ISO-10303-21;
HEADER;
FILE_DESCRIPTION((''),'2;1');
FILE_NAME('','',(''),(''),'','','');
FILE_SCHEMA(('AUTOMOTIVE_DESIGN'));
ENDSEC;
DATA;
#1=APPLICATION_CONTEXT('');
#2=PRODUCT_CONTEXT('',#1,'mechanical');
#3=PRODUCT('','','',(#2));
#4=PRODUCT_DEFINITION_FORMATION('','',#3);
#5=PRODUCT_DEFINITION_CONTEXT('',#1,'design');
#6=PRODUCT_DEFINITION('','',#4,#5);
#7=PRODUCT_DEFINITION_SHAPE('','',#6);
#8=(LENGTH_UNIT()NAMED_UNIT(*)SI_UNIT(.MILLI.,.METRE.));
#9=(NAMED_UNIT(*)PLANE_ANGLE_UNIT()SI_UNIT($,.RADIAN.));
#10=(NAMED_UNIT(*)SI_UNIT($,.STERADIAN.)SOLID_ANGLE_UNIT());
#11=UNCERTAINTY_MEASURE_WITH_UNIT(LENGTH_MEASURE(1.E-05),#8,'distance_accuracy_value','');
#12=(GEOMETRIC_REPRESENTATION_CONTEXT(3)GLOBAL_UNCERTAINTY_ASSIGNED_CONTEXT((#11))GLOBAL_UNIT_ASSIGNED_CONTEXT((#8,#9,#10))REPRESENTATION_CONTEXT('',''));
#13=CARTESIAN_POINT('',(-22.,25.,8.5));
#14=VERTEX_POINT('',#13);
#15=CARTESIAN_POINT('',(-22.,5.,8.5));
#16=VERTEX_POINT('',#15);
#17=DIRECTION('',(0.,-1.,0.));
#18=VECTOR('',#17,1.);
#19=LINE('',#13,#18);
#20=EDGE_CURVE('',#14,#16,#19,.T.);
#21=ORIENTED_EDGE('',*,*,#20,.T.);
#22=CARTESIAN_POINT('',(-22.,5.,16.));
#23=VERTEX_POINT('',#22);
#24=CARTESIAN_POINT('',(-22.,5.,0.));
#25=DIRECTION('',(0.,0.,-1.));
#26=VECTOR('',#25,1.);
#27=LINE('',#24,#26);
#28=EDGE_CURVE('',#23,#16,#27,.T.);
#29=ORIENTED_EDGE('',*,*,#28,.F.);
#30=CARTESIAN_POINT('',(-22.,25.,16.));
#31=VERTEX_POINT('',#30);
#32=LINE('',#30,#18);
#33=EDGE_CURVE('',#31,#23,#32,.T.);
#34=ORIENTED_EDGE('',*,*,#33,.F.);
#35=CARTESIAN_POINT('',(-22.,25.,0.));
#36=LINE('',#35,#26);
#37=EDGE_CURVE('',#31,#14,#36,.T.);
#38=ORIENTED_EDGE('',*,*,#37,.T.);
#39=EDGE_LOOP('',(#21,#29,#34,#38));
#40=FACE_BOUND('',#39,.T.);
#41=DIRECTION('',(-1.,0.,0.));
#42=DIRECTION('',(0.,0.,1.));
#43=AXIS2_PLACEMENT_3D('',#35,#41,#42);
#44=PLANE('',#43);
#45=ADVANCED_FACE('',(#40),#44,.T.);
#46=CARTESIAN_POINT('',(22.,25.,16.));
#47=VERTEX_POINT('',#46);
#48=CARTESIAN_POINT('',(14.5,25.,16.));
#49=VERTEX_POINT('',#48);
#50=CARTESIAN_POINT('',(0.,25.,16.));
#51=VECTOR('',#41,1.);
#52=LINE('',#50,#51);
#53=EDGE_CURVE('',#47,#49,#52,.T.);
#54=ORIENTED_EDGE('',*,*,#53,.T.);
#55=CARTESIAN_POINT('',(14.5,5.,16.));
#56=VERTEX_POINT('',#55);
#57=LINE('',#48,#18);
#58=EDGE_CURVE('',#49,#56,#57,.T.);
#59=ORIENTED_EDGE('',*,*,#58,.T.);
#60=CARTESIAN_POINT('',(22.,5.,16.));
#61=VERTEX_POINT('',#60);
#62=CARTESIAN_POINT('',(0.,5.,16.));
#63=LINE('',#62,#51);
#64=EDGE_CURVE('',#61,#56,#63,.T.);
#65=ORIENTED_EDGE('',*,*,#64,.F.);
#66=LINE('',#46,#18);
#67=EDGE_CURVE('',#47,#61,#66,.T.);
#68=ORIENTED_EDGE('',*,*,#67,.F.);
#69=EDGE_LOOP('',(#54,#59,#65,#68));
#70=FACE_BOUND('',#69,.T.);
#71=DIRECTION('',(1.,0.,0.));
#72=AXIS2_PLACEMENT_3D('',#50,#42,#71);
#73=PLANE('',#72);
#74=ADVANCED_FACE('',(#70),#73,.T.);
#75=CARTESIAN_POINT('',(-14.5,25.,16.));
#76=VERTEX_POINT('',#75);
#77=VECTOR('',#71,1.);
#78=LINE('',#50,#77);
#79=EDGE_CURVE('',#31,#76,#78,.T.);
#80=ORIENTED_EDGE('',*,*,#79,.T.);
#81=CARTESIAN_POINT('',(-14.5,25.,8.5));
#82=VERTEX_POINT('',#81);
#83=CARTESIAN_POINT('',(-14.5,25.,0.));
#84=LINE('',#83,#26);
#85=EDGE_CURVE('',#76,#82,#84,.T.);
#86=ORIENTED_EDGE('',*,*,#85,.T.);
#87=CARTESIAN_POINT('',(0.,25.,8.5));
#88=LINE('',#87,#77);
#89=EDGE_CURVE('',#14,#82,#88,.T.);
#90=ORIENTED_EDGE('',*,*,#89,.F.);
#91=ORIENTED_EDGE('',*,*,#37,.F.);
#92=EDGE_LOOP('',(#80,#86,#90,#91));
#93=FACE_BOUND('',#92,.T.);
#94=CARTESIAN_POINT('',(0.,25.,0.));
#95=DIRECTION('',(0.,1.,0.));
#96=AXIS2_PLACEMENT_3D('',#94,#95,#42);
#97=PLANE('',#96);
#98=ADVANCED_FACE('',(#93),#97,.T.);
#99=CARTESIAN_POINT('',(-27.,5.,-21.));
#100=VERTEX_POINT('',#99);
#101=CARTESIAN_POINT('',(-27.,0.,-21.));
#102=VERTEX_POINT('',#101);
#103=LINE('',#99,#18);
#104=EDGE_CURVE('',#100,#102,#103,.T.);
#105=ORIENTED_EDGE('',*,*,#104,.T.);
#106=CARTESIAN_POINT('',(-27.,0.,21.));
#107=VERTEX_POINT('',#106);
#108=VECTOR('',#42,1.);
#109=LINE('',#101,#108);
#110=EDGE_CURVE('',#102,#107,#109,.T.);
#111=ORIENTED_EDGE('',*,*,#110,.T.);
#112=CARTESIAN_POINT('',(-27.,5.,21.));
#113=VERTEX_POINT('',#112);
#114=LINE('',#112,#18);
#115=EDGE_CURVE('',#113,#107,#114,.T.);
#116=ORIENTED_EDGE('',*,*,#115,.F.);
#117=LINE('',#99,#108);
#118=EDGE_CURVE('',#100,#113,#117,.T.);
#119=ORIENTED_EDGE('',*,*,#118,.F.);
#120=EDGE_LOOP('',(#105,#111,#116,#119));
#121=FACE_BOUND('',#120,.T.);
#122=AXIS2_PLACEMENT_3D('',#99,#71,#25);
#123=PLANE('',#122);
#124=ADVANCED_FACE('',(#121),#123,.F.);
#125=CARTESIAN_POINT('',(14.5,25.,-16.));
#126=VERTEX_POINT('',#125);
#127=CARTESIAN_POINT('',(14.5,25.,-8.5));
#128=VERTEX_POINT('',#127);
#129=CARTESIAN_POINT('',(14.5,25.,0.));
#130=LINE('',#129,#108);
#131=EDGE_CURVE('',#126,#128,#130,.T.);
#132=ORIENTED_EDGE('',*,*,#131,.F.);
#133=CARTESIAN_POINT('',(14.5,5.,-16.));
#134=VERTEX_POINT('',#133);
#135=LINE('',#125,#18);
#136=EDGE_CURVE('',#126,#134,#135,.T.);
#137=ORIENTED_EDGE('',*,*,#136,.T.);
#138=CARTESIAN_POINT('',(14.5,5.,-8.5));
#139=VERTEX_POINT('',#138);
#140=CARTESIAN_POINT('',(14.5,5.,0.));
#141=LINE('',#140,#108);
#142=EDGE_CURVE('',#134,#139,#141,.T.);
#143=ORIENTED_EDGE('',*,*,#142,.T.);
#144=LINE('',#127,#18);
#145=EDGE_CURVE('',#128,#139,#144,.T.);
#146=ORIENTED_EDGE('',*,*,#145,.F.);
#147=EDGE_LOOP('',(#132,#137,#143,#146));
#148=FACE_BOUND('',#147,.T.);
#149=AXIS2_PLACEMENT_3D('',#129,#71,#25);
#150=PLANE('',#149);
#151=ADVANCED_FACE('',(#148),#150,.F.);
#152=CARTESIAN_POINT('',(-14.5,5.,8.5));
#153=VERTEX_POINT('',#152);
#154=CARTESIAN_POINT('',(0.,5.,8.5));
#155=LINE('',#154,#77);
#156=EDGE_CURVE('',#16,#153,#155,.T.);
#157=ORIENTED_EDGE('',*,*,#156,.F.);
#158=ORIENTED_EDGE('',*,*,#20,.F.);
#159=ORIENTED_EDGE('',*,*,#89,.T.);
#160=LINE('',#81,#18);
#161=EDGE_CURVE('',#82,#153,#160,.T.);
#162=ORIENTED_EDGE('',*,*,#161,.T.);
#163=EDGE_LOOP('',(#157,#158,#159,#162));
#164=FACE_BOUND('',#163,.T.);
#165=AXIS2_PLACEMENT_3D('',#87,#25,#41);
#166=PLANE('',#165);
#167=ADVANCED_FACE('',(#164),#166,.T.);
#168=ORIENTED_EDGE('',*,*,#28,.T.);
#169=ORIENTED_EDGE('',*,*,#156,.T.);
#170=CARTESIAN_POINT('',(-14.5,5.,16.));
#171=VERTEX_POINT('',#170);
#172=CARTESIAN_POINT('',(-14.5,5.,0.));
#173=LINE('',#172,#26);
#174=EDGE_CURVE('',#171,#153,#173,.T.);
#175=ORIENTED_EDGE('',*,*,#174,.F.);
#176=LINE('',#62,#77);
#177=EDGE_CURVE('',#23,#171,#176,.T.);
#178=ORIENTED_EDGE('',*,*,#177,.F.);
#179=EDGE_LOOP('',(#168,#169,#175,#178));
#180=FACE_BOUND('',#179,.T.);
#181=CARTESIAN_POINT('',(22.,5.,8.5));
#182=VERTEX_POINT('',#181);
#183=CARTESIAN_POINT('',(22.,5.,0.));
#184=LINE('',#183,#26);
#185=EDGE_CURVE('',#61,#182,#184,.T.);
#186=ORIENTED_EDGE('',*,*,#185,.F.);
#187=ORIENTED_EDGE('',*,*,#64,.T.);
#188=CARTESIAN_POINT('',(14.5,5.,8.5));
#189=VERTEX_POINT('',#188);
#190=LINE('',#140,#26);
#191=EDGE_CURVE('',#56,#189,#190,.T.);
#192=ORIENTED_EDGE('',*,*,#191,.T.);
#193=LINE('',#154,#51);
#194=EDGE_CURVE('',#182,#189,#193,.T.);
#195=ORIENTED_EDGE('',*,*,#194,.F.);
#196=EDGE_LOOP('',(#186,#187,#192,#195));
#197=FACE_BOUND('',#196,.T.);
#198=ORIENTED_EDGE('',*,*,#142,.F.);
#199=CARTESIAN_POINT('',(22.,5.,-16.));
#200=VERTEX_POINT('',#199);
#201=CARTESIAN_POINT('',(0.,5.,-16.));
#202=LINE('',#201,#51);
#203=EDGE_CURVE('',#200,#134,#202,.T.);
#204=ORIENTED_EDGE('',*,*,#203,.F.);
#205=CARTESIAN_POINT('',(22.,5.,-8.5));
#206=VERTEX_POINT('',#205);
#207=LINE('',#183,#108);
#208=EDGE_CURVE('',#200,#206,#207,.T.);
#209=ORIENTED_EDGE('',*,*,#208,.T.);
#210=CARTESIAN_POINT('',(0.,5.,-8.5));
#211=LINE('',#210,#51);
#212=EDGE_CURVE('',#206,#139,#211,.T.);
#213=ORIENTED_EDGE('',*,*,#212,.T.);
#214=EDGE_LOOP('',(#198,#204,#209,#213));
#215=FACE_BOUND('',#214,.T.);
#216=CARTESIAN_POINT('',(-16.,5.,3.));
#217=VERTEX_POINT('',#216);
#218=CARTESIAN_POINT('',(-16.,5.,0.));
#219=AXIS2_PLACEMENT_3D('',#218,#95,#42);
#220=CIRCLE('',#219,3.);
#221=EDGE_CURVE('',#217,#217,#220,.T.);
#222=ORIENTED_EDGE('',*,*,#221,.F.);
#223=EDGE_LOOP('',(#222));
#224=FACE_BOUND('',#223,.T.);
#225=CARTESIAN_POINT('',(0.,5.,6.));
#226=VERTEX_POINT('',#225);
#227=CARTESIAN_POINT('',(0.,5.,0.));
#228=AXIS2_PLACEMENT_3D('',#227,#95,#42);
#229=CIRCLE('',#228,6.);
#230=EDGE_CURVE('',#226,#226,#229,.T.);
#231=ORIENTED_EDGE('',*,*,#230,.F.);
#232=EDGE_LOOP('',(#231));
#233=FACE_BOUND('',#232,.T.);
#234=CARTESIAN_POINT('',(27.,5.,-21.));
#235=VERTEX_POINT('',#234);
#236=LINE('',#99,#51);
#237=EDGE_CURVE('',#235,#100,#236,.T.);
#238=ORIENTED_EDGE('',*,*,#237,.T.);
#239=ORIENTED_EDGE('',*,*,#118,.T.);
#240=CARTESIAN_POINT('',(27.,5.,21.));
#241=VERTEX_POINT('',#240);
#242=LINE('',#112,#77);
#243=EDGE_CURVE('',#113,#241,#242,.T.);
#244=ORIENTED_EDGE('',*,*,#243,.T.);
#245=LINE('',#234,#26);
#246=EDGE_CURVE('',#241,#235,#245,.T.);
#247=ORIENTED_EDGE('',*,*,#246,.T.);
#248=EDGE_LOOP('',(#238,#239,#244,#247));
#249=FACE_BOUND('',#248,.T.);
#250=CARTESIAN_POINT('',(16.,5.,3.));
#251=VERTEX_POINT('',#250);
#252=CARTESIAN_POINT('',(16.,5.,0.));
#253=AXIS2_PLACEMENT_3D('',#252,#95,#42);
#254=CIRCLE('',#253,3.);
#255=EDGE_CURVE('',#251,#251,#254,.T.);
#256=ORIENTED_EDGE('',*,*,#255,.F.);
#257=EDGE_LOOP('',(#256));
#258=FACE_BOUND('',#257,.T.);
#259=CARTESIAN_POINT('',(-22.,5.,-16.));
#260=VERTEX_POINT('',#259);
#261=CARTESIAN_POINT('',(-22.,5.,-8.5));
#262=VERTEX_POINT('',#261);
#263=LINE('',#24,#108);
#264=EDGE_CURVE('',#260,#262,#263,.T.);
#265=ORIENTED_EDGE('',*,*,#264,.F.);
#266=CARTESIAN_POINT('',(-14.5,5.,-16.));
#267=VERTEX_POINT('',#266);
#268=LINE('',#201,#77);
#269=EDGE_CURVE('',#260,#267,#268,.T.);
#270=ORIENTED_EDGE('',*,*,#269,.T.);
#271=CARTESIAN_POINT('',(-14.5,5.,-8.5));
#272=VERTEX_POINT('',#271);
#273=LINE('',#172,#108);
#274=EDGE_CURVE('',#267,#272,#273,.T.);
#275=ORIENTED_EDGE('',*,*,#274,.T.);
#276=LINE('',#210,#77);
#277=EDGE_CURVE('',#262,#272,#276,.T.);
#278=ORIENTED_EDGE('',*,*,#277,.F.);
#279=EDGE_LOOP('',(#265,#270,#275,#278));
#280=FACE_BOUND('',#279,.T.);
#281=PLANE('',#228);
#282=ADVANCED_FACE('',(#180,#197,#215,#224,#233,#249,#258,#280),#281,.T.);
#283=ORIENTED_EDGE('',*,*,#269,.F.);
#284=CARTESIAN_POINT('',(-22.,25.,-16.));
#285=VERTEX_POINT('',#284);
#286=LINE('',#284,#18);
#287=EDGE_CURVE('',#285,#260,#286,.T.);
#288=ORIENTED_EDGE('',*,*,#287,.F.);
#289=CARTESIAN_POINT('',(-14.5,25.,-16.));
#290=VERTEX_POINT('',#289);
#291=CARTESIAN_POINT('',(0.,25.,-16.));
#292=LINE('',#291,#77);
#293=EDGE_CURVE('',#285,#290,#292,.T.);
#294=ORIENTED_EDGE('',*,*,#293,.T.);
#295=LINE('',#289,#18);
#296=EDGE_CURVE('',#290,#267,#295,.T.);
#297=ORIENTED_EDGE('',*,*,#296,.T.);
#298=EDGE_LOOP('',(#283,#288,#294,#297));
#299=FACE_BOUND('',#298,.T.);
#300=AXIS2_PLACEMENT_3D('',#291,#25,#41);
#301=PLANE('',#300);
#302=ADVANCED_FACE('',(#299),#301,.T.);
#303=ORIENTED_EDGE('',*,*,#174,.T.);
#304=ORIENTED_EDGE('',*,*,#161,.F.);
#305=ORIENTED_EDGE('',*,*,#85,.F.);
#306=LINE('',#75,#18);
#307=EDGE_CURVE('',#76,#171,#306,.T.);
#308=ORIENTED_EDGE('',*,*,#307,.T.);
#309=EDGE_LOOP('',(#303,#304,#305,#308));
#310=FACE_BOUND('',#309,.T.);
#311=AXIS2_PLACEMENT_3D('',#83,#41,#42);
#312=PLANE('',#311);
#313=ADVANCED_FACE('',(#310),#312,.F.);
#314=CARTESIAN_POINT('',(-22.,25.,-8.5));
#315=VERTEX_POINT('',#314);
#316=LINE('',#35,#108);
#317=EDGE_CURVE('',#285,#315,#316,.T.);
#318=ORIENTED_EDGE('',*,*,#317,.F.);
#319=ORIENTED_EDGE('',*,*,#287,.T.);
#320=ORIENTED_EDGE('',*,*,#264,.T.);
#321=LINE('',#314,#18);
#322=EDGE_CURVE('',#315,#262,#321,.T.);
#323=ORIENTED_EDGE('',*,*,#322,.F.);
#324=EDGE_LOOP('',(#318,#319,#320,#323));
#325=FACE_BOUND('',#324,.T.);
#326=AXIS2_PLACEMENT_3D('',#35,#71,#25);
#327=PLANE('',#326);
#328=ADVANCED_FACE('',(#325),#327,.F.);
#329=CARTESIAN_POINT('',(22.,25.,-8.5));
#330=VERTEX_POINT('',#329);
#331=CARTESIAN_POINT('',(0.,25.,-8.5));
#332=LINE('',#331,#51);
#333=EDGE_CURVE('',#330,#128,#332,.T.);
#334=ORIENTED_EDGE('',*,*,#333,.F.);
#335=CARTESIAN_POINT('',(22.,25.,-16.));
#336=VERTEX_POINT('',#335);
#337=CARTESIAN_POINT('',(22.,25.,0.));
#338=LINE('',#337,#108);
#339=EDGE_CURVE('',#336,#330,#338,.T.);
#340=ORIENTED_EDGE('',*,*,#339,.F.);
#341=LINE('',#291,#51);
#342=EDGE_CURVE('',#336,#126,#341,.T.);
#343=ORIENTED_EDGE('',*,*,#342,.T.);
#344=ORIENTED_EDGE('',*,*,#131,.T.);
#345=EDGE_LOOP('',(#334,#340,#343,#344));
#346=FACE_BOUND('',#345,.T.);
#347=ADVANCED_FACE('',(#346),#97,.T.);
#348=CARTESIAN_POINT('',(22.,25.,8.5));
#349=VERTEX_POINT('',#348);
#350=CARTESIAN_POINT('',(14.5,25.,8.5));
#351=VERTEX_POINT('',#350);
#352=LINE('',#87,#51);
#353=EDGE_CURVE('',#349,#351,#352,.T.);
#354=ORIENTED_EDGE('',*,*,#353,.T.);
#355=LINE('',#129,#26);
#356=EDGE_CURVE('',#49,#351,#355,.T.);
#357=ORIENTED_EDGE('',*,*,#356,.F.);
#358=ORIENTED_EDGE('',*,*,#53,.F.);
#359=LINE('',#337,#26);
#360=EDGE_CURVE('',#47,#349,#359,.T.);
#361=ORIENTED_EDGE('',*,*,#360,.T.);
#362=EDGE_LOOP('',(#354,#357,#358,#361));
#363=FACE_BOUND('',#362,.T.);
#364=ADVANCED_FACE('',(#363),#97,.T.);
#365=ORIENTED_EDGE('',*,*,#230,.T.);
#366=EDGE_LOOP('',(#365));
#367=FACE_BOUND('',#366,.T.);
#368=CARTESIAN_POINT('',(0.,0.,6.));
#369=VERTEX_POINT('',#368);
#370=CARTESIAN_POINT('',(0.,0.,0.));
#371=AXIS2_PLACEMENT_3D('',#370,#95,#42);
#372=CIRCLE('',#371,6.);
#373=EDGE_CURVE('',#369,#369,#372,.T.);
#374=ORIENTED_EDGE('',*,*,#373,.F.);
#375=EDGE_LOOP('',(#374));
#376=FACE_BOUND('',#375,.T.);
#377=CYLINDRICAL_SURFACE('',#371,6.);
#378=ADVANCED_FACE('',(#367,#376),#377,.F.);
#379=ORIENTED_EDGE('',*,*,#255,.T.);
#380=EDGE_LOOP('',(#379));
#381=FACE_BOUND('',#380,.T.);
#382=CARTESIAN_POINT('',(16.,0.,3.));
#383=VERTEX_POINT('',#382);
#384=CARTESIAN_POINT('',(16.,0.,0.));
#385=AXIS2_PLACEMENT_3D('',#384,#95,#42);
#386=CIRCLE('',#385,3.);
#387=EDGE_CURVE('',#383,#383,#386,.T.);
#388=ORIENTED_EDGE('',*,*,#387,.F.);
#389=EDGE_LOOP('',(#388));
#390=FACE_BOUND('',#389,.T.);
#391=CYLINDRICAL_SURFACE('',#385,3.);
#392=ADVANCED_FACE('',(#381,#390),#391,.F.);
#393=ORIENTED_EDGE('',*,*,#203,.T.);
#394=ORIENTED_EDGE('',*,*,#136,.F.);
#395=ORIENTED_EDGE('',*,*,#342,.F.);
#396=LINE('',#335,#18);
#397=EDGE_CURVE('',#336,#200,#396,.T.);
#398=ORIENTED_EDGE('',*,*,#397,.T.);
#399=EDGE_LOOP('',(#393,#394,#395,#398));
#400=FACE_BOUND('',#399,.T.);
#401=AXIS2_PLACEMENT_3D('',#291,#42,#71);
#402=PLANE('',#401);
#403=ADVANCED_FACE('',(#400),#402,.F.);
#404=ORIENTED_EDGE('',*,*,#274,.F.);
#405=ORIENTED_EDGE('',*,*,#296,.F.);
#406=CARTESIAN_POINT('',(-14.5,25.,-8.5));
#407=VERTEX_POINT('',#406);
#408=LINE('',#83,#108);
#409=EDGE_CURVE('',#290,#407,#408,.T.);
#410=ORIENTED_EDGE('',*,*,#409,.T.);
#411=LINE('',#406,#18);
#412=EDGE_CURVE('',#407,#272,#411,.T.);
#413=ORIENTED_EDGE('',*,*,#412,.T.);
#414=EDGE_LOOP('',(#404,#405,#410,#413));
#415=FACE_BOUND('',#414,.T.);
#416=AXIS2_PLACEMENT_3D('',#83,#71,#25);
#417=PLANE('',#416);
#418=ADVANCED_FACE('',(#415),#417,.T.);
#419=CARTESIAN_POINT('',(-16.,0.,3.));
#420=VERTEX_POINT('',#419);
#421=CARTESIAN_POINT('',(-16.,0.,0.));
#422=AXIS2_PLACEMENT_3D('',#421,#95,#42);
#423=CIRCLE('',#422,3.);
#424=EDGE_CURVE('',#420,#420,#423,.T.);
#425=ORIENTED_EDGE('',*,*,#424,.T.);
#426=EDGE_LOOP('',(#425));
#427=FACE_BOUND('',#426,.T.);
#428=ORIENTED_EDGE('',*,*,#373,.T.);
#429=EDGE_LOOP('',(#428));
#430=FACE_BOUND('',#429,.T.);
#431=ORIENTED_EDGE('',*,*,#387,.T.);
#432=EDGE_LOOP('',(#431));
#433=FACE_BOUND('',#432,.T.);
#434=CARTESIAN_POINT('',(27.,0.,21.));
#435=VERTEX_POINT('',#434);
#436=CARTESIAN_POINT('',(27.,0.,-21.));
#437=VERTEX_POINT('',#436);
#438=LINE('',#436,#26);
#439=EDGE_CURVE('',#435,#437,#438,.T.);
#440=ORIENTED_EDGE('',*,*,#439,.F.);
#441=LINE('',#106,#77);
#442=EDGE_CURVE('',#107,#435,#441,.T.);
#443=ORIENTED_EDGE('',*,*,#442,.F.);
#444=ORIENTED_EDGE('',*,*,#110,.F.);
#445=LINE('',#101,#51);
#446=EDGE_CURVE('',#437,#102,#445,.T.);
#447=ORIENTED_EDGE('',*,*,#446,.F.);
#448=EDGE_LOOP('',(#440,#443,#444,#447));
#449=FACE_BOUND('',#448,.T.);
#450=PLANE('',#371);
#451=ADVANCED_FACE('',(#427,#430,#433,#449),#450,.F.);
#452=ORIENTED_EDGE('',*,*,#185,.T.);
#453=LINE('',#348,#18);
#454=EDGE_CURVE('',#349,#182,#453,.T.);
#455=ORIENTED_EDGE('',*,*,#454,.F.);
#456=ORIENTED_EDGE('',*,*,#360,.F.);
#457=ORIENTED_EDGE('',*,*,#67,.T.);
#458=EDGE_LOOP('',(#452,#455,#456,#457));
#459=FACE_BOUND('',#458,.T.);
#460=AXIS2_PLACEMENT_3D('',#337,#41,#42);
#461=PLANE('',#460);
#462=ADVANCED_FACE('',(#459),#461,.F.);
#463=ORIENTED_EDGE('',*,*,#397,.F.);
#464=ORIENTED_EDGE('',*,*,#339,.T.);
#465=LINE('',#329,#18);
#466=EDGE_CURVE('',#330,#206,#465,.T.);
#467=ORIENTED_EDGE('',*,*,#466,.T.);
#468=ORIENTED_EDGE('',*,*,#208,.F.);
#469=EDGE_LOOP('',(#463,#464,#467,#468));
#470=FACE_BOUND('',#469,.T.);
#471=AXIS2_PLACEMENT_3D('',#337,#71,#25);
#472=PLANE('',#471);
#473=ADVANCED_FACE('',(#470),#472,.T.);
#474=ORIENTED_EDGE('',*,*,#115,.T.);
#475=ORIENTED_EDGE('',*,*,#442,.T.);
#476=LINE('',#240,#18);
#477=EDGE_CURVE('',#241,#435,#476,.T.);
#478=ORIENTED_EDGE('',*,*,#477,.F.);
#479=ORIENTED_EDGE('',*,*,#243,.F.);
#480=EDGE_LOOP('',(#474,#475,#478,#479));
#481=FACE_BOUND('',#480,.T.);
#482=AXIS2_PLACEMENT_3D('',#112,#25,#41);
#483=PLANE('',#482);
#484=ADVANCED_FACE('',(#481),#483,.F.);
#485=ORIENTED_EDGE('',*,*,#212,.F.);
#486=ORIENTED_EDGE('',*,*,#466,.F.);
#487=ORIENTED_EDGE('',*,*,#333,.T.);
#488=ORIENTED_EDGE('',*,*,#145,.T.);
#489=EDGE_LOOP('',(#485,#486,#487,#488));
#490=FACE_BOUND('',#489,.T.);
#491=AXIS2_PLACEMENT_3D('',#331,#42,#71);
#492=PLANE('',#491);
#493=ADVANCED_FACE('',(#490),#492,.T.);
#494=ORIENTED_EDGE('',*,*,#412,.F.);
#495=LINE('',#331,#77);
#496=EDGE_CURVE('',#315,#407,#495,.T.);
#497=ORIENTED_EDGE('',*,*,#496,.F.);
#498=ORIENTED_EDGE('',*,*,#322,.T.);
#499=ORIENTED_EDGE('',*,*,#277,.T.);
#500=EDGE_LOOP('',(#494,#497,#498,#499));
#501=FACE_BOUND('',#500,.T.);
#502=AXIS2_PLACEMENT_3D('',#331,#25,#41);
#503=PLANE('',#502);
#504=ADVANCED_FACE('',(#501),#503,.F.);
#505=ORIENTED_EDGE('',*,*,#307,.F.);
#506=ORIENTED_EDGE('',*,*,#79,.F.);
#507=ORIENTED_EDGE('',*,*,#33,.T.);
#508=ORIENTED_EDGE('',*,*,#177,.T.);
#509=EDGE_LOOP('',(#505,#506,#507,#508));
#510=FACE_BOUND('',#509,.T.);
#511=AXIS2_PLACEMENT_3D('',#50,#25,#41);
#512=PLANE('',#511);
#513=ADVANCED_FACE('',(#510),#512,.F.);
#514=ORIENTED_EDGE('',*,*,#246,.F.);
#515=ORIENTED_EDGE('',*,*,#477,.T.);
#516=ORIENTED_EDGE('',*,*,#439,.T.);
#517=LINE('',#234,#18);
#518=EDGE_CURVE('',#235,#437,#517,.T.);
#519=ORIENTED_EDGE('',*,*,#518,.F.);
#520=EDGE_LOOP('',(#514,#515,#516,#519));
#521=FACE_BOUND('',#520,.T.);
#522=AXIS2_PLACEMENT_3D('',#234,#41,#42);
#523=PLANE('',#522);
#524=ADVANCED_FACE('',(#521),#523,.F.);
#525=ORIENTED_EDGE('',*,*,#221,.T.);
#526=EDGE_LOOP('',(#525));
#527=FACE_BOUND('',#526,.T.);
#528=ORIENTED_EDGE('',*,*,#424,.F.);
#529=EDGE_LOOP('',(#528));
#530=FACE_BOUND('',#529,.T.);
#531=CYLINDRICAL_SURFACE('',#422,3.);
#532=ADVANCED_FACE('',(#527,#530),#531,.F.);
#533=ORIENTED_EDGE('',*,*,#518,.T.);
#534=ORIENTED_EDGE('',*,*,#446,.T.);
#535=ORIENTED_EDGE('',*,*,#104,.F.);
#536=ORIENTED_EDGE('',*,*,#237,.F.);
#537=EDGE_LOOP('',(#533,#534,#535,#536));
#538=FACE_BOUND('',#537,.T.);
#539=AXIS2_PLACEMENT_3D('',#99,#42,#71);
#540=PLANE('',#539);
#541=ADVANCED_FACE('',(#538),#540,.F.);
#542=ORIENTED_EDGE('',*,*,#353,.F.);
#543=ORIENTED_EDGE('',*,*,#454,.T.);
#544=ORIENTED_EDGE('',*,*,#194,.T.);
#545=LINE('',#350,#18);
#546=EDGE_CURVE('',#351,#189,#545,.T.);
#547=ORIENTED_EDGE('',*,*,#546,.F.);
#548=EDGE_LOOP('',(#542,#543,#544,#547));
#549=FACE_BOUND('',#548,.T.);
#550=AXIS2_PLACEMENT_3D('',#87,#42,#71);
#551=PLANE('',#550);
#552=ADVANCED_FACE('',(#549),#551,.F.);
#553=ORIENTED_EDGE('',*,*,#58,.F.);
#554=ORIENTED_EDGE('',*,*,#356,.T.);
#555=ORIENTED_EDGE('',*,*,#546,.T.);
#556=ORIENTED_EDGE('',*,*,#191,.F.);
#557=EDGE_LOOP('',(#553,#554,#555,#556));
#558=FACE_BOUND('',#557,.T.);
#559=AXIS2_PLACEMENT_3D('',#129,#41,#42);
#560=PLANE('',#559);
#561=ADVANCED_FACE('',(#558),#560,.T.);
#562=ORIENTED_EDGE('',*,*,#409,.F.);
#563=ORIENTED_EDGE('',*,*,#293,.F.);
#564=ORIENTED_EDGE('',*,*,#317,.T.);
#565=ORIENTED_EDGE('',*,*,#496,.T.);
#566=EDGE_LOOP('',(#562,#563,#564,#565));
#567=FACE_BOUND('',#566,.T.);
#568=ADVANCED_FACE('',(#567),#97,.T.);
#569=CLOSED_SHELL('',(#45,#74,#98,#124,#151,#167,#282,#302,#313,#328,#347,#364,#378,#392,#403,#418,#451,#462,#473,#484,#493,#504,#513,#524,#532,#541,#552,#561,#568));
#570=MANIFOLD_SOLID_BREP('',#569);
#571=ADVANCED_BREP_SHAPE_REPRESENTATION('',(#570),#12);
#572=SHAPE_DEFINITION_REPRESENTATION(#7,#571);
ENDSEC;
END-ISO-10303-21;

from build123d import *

# Parameters (mm, degrees)
SKETCH4_W           = 54
SKETCH4_H           = 42
BOSS_EXTRUDE1_DEPTH = 5
SKETCH5_R           = 6
SKETCH5_R_2         = 3
CUT_EXTRUDE1_DEPTH  = 5
SKETCH6_W           = 7.5
SKETCH6_H           = 7.5
BOSS_EXTRUDE3_DEPTH = 20


with BuildPart() as part:
    # Sketch4 → Boss-Extrude1 (new body)
    with BuildSketch(Plane(origin=(0, 0, 0), x_dir=(1, 0, 0), z_dir=(0, 1, 0))):
        Rectangle(SKETCH4_W, SKETCH4_H)
    extrude(amount=BOSS_EXTRUDE1_DEPTH)

    # Sketch5 → Cut-Extrude1 (cut)
    with BuildSketch(Plane(origin=(0, 5, 0), x_dir=(1, 0, 0), z_dir=(0, 1, 0))):
        with Locations(Location((0, 0, 0), (0, 0, 270))):
            Circle(SKETCH5_R)
        with Locations(Location((-16, 0, 0), (0, 0, 270))):
            Circle(SKETCH5_R_2)
        with Locations(Location((16, 0, 0), (0, 0, 270))):
            Circle(SKETCH5_R_2)
    extrude(amount=-CUT_EXTRUDE1_DEPTH, mode=Mode.SUBTRACT)

    # Sketch6 → Boss-Extrude3 (add)
    with BuildSketch(Plane(origin=(0, 5, 0), x_dir=(1, 0, 0), z_dir=(0, 1, 0))):
        with Locations((-18.25, 12.25)):
            Rectangle(SKETCH6_W, SKETCH6_H)
        with Locations((18.25, 12.25)):
            Rectangle(SKETCH6_W, SKETCH6_H)
        with Locations((-18.25, -12.25)):
            Rectangle(SKETCH6_W, SKETCH6_H)
        with Locations((18.25, -12.25)):
            Rectangle(SKETCH6_W, SKETCH6_H)
    extrude(amount=BOSS_EXTRUDE3_DEPTH)


solid = part.part
